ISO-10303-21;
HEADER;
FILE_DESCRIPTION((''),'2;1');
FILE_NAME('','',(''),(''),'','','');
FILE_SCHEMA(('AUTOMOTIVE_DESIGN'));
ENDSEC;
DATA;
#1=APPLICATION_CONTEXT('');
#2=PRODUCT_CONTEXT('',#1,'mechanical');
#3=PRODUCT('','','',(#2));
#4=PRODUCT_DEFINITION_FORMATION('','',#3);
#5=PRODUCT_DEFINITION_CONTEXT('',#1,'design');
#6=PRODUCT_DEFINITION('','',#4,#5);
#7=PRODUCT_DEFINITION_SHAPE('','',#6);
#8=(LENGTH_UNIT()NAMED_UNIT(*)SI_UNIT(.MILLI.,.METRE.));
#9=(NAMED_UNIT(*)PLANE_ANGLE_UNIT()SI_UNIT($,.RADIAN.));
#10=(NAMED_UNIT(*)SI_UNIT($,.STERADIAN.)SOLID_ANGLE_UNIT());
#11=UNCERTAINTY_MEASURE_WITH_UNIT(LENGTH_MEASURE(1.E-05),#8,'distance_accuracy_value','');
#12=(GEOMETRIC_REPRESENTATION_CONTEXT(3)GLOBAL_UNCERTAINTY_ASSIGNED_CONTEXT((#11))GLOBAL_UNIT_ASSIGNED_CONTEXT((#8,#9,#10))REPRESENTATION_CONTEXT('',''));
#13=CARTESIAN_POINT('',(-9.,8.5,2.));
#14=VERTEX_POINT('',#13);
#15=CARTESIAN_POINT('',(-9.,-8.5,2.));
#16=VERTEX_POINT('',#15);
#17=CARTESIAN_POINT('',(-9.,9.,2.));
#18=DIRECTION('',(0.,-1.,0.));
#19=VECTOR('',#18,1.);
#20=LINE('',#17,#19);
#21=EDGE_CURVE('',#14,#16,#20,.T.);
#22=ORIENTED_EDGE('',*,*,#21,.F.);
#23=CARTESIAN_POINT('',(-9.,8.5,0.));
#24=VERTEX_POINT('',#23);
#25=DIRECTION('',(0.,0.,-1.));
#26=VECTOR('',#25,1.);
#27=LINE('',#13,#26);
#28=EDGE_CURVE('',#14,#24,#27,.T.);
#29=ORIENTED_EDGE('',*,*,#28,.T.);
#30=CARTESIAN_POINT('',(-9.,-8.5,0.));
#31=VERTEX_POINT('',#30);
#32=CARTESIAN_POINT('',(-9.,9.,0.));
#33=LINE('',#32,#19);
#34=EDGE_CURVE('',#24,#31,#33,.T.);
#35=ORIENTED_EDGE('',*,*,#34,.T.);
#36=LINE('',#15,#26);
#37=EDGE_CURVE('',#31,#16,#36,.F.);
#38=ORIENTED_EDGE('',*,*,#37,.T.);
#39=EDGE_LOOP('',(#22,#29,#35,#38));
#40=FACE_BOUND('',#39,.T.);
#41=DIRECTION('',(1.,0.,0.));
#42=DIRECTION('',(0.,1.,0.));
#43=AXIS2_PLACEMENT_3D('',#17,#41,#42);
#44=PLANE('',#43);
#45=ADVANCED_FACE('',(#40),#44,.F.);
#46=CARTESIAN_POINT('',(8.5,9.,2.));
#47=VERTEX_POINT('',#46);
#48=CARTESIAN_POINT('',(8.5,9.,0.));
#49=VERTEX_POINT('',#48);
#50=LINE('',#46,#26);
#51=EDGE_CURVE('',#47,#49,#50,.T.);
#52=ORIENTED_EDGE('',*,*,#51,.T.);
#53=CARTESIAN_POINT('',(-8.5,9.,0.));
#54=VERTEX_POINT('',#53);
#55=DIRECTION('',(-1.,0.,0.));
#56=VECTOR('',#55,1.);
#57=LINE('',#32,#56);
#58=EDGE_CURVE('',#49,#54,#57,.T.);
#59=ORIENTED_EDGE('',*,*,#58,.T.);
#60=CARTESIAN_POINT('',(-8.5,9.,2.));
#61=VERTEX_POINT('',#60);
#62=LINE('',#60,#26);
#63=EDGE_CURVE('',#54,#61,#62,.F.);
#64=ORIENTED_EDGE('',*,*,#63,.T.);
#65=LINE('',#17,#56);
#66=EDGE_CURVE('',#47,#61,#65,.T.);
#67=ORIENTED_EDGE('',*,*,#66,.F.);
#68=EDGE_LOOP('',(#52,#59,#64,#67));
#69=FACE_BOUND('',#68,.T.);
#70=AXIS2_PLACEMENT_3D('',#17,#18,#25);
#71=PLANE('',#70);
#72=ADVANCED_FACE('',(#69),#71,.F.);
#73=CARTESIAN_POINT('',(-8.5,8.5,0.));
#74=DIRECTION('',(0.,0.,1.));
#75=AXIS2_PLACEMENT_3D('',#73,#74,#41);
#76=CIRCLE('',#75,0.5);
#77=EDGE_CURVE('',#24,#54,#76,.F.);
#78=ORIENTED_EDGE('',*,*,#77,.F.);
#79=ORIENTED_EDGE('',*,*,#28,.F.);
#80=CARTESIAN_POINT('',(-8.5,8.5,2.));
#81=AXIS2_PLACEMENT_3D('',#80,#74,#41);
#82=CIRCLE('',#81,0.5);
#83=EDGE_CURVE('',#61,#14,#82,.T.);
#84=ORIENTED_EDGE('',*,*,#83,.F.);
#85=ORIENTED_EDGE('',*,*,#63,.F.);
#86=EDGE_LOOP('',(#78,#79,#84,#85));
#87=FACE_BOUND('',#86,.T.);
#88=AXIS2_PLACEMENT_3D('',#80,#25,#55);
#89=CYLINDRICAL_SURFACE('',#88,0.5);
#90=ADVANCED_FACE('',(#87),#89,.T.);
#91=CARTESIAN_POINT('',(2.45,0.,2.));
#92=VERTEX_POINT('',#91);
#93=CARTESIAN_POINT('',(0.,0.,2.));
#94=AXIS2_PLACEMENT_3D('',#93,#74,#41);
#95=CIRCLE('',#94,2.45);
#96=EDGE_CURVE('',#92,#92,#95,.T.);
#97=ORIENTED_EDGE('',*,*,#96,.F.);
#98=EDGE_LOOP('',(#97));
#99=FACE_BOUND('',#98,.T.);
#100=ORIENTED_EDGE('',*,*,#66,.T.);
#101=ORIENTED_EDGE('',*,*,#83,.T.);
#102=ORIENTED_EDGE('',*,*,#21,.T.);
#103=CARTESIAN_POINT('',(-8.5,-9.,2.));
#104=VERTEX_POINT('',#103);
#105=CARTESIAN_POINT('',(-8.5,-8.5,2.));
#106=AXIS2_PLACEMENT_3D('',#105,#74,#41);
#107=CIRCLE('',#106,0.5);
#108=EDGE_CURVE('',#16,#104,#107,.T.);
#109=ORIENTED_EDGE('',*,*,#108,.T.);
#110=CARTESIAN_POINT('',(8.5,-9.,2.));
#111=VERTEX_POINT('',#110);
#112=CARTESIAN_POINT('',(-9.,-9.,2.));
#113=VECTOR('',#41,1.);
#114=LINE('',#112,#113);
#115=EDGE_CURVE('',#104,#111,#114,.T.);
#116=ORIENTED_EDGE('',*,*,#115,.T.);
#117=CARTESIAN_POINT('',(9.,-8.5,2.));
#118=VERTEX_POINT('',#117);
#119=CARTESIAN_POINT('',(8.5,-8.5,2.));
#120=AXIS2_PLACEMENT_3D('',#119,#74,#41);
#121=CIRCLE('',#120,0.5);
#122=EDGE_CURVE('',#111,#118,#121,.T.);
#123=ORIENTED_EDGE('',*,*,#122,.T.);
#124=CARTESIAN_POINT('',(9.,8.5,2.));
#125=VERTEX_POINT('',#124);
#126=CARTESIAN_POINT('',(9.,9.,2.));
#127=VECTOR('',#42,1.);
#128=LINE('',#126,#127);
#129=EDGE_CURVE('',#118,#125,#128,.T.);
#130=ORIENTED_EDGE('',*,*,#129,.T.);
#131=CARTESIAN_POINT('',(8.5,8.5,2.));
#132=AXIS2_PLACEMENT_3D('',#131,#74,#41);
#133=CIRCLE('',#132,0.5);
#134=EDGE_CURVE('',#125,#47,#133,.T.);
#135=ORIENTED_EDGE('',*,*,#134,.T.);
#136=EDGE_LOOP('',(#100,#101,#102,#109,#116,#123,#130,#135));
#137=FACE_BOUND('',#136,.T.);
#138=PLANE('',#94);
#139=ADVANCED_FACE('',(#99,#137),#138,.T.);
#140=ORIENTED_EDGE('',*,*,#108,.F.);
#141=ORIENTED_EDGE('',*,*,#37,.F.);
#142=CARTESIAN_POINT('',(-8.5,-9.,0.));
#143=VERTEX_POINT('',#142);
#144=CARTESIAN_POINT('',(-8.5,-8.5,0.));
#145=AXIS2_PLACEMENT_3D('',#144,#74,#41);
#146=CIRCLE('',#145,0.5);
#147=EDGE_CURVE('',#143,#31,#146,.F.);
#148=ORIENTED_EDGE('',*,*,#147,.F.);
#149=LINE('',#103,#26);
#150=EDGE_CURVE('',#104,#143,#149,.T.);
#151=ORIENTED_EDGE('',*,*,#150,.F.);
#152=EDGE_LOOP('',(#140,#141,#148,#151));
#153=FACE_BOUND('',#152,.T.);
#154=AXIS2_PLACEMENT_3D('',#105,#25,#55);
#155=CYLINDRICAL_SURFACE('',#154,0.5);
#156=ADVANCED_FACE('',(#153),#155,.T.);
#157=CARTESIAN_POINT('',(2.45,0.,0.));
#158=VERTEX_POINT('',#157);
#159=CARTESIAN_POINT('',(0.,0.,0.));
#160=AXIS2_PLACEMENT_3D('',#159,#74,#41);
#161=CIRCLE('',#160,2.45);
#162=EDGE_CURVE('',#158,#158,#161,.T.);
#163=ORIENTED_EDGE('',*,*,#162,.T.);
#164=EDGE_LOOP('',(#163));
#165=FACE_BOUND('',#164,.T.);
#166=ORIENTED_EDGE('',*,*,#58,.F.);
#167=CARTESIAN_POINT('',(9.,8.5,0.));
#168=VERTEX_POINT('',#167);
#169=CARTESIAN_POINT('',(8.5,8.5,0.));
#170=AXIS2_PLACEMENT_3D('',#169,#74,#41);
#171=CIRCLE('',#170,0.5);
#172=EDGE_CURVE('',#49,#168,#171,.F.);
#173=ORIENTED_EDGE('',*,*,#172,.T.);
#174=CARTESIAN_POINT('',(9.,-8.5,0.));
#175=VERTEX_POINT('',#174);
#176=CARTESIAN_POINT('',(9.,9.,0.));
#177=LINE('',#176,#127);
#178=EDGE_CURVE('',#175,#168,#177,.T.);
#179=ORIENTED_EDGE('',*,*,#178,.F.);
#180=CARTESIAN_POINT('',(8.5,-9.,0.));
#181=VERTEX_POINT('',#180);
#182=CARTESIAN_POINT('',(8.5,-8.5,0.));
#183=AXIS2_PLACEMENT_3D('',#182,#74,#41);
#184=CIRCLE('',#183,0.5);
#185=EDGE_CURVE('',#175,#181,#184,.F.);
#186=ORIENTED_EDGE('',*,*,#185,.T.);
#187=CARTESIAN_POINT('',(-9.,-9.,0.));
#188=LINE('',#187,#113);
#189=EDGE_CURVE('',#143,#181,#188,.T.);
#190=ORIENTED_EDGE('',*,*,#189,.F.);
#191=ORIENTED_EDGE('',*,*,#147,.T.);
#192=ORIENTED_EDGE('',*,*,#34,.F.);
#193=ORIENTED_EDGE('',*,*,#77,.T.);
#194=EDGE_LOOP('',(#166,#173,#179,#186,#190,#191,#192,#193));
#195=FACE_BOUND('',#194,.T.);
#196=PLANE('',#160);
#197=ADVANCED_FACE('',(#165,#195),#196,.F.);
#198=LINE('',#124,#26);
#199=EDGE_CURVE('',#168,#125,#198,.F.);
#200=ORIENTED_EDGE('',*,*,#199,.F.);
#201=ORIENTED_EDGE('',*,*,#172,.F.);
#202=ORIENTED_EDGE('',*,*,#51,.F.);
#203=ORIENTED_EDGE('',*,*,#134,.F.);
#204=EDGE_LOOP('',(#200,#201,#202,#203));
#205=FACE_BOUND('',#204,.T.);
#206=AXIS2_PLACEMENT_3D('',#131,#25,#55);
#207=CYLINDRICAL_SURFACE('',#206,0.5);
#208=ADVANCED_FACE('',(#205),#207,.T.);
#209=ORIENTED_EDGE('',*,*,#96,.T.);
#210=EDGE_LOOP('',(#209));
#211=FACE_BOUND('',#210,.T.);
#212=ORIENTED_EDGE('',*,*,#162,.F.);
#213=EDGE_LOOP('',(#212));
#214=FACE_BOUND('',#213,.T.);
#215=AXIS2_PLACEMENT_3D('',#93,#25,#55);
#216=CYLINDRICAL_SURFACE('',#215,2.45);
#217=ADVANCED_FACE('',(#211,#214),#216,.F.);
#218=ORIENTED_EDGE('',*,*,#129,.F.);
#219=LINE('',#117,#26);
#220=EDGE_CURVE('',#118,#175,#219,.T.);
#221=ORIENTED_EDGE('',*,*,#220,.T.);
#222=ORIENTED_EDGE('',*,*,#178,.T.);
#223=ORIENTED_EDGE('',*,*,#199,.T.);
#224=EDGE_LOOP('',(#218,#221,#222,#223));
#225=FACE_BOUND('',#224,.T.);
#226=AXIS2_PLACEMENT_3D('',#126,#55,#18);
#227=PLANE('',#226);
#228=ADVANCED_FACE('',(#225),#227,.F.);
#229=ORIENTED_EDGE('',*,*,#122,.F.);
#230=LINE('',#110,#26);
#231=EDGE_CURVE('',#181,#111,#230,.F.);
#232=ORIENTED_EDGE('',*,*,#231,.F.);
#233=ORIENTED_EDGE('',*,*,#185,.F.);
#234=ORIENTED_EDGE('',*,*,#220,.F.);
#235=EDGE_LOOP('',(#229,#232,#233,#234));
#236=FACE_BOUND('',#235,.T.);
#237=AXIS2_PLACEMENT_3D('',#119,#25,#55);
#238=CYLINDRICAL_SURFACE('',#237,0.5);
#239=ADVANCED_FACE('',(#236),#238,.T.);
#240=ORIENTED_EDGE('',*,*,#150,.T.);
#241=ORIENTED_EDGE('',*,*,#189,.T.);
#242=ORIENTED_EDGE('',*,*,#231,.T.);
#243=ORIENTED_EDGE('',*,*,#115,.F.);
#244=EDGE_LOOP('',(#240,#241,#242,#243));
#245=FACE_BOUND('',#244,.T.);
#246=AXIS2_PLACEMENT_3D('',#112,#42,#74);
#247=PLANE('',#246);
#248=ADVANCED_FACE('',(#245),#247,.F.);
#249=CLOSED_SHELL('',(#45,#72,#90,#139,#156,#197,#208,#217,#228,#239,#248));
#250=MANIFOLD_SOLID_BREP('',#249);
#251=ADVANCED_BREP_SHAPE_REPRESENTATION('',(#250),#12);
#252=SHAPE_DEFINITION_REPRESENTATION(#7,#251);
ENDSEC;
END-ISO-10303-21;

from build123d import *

# Parameters (mm, degrees)
SKETCH1_W           = 18
SKETCH1_H           = 18
SKETCH1_R           = 2.45
BOSS_EXTRUDE1_DEPTH = 2
FILLET1_R           = 0.5


with BuildPart() as part:
    # Sketch1 → Boss-Extrude1 (new body)
    with BuildSketch(Plane.XY):
        Rectangle(SKETCH1_W, SKETCH1_H)
        Circle(SKETCH1_R, mode=Mode.SUBTRACT)
    extrude(amount=BOSS_EXTRUDE1_DEPTH)

    # Fillet1
    fillet1_edges = [part.edges().sort_by_distance(p)[0] for p in [
        (9, -9, 1),
        (-9, -9, 1),
        (-9, 9, 1),
        (9, 9, 1),
    ]]
    fillet(fillet1_edges, radius=FILLET1_R)


solid = part.part
